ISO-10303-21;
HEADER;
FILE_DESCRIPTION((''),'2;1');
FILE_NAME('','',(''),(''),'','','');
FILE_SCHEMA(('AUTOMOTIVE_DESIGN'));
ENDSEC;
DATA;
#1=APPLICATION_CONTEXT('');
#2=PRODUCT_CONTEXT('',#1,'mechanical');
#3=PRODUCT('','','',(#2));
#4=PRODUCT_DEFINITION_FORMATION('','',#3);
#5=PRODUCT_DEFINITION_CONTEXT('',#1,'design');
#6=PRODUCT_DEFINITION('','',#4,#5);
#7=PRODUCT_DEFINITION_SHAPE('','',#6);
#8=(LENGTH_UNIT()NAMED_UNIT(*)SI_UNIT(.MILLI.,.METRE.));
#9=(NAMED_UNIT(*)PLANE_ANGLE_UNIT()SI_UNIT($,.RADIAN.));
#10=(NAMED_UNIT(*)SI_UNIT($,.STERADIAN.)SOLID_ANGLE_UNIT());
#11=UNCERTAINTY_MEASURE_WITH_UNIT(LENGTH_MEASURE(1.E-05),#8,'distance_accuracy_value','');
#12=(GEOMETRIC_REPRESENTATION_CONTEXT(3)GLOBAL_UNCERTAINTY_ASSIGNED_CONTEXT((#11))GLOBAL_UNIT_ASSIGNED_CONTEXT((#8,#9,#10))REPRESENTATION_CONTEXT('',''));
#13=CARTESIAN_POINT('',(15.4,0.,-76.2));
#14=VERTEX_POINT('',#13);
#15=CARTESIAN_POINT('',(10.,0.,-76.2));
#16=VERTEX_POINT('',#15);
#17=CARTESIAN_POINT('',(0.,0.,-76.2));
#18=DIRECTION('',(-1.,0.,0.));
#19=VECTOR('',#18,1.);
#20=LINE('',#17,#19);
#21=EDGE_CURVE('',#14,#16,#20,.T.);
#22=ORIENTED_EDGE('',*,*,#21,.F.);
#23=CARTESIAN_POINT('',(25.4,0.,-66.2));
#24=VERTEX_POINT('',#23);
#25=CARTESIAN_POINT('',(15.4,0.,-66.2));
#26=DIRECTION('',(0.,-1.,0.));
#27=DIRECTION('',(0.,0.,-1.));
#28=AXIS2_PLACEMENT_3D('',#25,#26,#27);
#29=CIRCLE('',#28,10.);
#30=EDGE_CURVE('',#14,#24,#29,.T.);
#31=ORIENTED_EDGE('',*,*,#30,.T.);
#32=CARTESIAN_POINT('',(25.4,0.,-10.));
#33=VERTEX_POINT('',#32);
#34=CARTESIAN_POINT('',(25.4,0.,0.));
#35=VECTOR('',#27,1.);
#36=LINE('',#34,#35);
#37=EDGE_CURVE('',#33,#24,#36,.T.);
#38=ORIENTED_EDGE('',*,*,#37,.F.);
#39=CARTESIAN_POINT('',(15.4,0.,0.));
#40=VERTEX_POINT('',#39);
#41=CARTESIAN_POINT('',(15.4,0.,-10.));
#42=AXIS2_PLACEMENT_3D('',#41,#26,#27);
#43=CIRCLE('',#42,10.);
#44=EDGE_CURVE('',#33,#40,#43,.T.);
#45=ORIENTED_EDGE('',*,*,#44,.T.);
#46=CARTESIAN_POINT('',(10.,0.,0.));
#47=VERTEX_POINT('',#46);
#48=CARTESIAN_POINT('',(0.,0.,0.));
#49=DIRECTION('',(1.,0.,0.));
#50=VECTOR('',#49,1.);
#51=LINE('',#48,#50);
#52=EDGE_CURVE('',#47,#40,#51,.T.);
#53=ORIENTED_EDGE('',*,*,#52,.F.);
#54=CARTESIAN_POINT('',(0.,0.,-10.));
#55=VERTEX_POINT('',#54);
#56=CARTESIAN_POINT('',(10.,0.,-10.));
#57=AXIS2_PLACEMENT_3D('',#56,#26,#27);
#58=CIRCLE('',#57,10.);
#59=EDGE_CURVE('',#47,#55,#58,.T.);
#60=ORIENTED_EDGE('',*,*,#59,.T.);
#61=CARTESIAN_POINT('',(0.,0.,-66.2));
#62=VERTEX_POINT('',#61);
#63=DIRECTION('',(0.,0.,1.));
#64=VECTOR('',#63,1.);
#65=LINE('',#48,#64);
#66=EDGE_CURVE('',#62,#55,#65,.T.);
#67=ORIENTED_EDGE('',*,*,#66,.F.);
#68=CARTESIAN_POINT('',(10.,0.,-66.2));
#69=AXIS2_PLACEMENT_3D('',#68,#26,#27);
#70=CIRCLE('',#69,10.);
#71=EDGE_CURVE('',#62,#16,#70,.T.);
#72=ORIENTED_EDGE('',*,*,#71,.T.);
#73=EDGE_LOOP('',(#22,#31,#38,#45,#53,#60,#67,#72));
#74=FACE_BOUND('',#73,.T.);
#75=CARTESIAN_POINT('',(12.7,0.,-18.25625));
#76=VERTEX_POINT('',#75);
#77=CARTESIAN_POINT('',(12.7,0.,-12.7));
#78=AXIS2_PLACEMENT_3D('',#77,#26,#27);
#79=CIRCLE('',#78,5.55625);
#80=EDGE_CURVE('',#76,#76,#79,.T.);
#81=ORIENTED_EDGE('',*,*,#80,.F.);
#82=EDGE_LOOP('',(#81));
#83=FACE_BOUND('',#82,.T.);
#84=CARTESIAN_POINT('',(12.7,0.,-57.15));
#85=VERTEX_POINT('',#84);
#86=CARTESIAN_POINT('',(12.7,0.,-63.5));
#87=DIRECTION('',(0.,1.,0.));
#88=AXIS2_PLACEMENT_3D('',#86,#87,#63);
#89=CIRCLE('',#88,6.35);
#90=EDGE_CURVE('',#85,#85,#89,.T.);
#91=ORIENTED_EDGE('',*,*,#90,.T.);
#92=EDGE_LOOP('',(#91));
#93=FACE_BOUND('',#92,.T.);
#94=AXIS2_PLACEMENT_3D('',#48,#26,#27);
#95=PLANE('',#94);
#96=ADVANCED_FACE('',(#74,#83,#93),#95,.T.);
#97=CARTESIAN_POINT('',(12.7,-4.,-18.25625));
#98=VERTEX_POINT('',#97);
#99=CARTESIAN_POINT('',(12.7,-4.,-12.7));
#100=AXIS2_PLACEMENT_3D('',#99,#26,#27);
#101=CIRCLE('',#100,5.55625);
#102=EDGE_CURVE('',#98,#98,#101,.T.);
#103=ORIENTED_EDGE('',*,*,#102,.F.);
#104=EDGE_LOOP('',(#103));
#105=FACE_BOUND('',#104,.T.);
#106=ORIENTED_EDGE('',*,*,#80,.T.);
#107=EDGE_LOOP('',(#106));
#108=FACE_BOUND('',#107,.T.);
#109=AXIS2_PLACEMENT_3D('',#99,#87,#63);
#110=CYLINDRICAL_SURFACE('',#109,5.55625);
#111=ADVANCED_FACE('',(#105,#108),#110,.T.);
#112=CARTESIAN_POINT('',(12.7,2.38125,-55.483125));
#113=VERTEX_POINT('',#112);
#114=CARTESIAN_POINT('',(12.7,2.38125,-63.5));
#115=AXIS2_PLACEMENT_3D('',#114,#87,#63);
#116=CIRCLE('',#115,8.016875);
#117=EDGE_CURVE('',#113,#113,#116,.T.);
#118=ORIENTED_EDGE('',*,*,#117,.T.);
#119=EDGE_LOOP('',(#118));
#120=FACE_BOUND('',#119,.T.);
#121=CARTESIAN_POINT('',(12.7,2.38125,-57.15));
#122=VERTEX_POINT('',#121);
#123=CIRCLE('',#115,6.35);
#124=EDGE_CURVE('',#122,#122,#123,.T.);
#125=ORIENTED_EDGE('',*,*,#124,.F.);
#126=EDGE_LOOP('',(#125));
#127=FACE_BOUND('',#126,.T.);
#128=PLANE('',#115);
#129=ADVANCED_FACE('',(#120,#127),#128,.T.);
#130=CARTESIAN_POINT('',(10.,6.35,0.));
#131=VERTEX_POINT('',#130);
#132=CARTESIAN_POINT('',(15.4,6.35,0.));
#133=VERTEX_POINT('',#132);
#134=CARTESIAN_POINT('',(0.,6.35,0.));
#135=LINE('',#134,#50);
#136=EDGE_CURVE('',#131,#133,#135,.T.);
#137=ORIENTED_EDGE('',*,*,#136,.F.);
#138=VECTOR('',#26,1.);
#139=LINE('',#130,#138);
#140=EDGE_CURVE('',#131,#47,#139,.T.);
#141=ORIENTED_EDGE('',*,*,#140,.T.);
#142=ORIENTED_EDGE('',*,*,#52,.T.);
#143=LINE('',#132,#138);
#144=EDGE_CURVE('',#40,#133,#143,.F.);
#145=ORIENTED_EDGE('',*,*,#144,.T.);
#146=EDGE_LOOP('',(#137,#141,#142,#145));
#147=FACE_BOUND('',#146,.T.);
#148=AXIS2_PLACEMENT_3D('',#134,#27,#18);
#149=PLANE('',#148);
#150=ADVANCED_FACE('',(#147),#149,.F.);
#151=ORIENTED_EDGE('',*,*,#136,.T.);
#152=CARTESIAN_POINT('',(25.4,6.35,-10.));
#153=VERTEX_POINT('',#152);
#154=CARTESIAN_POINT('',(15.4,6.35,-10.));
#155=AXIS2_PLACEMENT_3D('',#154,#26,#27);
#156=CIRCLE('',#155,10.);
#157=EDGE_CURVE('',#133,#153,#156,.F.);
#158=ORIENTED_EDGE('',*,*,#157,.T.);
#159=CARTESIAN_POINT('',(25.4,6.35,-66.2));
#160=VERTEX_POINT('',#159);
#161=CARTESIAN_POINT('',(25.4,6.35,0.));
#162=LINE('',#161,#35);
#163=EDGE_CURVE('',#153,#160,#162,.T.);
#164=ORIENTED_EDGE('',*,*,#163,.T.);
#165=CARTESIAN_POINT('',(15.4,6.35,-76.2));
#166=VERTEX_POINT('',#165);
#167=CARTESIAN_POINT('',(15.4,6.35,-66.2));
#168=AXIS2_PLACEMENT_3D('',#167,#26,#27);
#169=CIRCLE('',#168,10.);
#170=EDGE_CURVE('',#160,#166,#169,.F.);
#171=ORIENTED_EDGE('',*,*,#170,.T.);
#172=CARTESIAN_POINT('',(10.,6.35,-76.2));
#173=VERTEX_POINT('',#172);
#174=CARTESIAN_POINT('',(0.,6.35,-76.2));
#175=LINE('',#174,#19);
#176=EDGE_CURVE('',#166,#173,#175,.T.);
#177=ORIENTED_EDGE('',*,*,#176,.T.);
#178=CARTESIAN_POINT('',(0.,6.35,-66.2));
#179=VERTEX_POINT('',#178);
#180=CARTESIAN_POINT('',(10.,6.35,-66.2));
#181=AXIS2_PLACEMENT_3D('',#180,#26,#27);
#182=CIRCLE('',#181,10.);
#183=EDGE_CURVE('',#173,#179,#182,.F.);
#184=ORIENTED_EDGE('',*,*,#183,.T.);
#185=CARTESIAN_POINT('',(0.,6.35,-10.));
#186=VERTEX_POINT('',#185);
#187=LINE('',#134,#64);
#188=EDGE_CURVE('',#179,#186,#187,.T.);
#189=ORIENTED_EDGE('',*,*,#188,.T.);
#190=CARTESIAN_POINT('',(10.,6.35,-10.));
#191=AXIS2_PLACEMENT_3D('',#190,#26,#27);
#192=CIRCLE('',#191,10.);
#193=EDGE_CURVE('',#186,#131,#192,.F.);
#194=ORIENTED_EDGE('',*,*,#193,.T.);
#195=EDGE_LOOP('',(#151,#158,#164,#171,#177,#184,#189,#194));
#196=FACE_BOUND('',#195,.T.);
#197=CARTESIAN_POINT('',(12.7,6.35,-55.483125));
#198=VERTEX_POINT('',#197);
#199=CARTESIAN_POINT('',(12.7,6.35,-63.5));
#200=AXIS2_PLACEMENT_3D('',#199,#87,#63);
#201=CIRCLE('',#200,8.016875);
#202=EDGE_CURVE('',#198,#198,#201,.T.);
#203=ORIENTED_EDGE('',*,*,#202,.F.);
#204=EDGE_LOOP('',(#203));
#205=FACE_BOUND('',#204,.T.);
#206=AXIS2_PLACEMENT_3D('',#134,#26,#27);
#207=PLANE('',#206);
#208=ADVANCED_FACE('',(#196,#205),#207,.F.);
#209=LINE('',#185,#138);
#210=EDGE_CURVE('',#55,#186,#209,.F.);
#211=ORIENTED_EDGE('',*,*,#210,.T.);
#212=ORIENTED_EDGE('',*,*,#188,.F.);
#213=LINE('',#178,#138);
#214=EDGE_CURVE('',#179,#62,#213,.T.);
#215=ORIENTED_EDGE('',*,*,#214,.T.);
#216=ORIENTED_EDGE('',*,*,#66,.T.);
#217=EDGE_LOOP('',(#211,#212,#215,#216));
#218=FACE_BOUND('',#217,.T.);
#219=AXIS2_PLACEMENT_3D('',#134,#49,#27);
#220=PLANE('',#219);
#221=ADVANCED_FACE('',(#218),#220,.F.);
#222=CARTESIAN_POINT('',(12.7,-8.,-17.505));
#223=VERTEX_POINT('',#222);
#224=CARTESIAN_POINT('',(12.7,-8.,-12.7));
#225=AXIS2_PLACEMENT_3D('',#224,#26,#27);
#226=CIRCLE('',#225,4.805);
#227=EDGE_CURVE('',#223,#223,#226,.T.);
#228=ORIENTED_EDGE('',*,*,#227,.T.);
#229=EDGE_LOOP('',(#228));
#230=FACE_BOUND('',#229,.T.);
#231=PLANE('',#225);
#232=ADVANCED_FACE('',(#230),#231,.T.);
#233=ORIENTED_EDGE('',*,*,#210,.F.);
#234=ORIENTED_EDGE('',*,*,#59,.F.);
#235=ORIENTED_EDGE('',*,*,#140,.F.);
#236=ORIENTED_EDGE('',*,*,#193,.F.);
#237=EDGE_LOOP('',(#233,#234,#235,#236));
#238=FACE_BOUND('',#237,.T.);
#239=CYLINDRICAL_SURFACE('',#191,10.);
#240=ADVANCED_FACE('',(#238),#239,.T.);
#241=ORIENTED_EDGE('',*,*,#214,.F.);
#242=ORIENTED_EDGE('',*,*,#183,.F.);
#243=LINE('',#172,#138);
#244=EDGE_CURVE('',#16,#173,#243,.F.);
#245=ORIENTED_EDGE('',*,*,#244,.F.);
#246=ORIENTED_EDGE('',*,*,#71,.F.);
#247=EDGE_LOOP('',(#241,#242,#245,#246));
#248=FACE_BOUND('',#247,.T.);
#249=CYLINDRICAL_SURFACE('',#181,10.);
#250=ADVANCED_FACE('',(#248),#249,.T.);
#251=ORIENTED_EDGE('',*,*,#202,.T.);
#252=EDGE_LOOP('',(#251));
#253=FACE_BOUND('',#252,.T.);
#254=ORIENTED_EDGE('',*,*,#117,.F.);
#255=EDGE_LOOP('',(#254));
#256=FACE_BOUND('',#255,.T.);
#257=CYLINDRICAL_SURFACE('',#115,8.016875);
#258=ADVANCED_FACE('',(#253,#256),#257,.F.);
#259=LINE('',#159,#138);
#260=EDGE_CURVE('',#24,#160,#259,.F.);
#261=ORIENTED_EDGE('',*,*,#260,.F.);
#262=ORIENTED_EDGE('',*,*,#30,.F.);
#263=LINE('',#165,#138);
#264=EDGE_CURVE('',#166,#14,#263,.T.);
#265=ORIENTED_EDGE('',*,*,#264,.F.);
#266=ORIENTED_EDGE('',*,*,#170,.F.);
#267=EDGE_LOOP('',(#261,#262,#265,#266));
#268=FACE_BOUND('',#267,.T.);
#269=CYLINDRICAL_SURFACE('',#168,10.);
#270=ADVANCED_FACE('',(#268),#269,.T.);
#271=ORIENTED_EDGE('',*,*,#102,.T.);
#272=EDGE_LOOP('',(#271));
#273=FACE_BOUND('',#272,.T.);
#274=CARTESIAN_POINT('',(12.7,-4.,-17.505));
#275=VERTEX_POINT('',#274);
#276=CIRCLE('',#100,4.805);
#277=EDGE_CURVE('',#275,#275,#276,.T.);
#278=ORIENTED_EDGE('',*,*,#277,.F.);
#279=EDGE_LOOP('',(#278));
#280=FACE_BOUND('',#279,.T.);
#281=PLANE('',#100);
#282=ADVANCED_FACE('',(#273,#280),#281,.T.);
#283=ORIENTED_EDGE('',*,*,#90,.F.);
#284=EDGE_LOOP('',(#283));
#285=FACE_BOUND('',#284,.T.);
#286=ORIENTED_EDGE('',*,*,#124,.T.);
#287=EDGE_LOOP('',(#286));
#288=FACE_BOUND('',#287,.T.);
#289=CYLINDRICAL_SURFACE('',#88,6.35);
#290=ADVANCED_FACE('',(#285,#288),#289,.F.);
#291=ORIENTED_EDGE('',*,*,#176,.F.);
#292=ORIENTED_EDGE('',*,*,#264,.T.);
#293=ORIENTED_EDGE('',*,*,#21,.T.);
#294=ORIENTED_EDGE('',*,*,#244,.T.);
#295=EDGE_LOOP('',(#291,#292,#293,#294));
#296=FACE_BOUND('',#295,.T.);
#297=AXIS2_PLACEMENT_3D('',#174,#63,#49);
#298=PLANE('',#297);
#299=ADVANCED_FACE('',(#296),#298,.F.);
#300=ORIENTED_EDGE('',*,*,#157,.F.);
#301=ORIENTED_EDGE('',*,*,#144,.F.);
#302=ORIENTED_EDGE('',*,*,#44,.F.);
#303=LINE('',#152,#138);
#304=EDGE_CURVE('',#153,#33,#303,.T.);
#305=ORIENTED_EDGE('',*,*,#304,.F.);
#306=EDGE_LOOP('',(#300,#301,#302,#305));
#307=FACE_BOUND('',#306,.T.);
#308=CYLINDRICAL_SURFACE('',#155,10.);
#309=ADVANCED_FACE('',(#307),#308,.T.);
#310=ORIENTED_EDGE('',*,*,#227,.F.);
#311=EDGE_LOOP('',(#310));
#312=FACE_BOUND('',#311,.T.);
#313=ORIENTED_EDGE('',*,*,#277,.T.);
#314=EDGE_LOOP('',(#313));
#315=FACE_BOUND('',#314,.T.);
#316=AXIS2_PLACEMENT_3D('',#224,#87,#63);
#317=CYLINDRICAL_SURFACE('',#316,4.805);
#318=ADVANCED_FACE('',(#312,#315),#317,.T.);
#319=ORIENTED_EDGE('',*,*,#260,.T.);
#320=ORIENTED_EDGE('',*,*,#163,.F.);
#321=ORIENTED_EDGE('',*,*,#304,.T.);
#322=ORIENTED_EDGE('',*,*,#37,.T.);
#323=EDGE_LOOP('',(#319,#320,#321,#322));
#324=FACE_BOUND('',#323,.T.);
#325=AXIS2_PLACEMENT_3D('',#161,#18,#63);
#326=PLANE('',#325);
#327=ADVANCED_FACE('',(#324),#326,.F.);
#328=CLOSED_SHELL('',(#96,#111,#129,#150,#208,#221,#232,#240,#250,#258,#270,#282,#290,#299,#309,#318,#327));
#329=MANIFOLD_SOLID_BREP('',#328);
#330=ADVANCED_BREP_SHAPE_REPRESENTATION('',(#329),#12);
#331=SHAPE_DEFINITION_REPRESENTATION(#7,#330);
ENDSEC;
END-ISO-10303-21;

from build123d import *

# Parameters (mm, degrees)
SKETCH1_W           = 25.4
SKETCH1_H           = 76.2
BOSS_EXTRUDE1_DEPTH = 6.35
SKETCH5_R           = 8.016875
CUT_EXTRUDE1_DEPTH  = 3.96875
SKETCH6_R           = 6.35
CUT_EXTRUDE2_DEPTH  = 81.419841933
BOSS_EXTRUDE2_START = -6.35
SKETCH7_R           = 5.55625
BOSS_EXTRUDE2_DEPTH = 4
SKETCH8_R           = 4.805
BOSS_EXTRUDE3_DEPTH = 4
FILLET1_R           = 10


with BuildPart() as part:
    # Sketch1 → Boss-Extrude1 (new body)
    with BuildSketch(Plane(origin=(0, 0, 0), x_dir=(1, 0, 0), z_dir=(0, 1, 0))):
        with Locations((12.7, 38.1)):
            Rectangle(SKETCH1_W, SKETCH1_H)
    extrude(amount=BOSS_EXTRUDE1_DEPTH)

    # Sketch5 → Cut-Extrude1 (cut)
    with BuildSketch(Plane(origin=(0, 6.35, 0), x_dir=(1, 0, 0), z_dir=(0, 1, 0))):
        with Locations(Location((12.7, 63.5, 0), (0, 0, 270))):
            Circle(SKETCH5_R)
    extrude(amount=-CUT_EXTRUDE1_DEPTH, mode=Mode.SUBTRACT)

    # Sketch6 → Cut-Extrude2 (cut, through all)
    with BuildSketch(Plane(origin=(0, 2.38125, 0), x_dir=(1, 0, 0), z_dir=(0, 1, 0))):
        with Locations(Location((12.7, 63.5, 0), (0, 0, 270))):
            Circle(SKETCH6_R)
    extrude(amount=-CUT_EXTRUDE2_DEPTH, mode=Mode.SUBTRACT)

    # Sketch7 → Boss-Extrude2 (add)
    with BuildSketch(Plane(origin=(0, 6.35, 0), x_dir=(1, 0, 0), z_dir=(0, 1, 0)).offset(BOSS_EXTRUDE2_START)):
        with Locations(Location((12.7, 12.7, 0), (0, 0, 90))):
            Circle(SKETCH7_R)
    extrude(amount=-BOSS_EXTRUDE2_DEPTH)

    # Sketch8 → Boss-Extrude3 (add)
    with BuildSketch(Plane.XZ.offset(4)):
        with Locations(Location((12.7, -12.7, 0), (0, 0, 270))):
            Circle(SKETCH8_R)
    extrude(amount=BOSS_EXTRUDE3_DEPTH)

    # Fillet1
    fillet1_edges = [part.edges().sort_by_distance(p)[0] for p in [
        (0, 3.175, -76.2),
        (25.4, 3.175, -76.2),
        (25.4, 3.175, 0),
        (0, 3.175, 0),
    ]]
    fillet(fillet1_edges, radius=FILLET1_R)


solid = part.part
